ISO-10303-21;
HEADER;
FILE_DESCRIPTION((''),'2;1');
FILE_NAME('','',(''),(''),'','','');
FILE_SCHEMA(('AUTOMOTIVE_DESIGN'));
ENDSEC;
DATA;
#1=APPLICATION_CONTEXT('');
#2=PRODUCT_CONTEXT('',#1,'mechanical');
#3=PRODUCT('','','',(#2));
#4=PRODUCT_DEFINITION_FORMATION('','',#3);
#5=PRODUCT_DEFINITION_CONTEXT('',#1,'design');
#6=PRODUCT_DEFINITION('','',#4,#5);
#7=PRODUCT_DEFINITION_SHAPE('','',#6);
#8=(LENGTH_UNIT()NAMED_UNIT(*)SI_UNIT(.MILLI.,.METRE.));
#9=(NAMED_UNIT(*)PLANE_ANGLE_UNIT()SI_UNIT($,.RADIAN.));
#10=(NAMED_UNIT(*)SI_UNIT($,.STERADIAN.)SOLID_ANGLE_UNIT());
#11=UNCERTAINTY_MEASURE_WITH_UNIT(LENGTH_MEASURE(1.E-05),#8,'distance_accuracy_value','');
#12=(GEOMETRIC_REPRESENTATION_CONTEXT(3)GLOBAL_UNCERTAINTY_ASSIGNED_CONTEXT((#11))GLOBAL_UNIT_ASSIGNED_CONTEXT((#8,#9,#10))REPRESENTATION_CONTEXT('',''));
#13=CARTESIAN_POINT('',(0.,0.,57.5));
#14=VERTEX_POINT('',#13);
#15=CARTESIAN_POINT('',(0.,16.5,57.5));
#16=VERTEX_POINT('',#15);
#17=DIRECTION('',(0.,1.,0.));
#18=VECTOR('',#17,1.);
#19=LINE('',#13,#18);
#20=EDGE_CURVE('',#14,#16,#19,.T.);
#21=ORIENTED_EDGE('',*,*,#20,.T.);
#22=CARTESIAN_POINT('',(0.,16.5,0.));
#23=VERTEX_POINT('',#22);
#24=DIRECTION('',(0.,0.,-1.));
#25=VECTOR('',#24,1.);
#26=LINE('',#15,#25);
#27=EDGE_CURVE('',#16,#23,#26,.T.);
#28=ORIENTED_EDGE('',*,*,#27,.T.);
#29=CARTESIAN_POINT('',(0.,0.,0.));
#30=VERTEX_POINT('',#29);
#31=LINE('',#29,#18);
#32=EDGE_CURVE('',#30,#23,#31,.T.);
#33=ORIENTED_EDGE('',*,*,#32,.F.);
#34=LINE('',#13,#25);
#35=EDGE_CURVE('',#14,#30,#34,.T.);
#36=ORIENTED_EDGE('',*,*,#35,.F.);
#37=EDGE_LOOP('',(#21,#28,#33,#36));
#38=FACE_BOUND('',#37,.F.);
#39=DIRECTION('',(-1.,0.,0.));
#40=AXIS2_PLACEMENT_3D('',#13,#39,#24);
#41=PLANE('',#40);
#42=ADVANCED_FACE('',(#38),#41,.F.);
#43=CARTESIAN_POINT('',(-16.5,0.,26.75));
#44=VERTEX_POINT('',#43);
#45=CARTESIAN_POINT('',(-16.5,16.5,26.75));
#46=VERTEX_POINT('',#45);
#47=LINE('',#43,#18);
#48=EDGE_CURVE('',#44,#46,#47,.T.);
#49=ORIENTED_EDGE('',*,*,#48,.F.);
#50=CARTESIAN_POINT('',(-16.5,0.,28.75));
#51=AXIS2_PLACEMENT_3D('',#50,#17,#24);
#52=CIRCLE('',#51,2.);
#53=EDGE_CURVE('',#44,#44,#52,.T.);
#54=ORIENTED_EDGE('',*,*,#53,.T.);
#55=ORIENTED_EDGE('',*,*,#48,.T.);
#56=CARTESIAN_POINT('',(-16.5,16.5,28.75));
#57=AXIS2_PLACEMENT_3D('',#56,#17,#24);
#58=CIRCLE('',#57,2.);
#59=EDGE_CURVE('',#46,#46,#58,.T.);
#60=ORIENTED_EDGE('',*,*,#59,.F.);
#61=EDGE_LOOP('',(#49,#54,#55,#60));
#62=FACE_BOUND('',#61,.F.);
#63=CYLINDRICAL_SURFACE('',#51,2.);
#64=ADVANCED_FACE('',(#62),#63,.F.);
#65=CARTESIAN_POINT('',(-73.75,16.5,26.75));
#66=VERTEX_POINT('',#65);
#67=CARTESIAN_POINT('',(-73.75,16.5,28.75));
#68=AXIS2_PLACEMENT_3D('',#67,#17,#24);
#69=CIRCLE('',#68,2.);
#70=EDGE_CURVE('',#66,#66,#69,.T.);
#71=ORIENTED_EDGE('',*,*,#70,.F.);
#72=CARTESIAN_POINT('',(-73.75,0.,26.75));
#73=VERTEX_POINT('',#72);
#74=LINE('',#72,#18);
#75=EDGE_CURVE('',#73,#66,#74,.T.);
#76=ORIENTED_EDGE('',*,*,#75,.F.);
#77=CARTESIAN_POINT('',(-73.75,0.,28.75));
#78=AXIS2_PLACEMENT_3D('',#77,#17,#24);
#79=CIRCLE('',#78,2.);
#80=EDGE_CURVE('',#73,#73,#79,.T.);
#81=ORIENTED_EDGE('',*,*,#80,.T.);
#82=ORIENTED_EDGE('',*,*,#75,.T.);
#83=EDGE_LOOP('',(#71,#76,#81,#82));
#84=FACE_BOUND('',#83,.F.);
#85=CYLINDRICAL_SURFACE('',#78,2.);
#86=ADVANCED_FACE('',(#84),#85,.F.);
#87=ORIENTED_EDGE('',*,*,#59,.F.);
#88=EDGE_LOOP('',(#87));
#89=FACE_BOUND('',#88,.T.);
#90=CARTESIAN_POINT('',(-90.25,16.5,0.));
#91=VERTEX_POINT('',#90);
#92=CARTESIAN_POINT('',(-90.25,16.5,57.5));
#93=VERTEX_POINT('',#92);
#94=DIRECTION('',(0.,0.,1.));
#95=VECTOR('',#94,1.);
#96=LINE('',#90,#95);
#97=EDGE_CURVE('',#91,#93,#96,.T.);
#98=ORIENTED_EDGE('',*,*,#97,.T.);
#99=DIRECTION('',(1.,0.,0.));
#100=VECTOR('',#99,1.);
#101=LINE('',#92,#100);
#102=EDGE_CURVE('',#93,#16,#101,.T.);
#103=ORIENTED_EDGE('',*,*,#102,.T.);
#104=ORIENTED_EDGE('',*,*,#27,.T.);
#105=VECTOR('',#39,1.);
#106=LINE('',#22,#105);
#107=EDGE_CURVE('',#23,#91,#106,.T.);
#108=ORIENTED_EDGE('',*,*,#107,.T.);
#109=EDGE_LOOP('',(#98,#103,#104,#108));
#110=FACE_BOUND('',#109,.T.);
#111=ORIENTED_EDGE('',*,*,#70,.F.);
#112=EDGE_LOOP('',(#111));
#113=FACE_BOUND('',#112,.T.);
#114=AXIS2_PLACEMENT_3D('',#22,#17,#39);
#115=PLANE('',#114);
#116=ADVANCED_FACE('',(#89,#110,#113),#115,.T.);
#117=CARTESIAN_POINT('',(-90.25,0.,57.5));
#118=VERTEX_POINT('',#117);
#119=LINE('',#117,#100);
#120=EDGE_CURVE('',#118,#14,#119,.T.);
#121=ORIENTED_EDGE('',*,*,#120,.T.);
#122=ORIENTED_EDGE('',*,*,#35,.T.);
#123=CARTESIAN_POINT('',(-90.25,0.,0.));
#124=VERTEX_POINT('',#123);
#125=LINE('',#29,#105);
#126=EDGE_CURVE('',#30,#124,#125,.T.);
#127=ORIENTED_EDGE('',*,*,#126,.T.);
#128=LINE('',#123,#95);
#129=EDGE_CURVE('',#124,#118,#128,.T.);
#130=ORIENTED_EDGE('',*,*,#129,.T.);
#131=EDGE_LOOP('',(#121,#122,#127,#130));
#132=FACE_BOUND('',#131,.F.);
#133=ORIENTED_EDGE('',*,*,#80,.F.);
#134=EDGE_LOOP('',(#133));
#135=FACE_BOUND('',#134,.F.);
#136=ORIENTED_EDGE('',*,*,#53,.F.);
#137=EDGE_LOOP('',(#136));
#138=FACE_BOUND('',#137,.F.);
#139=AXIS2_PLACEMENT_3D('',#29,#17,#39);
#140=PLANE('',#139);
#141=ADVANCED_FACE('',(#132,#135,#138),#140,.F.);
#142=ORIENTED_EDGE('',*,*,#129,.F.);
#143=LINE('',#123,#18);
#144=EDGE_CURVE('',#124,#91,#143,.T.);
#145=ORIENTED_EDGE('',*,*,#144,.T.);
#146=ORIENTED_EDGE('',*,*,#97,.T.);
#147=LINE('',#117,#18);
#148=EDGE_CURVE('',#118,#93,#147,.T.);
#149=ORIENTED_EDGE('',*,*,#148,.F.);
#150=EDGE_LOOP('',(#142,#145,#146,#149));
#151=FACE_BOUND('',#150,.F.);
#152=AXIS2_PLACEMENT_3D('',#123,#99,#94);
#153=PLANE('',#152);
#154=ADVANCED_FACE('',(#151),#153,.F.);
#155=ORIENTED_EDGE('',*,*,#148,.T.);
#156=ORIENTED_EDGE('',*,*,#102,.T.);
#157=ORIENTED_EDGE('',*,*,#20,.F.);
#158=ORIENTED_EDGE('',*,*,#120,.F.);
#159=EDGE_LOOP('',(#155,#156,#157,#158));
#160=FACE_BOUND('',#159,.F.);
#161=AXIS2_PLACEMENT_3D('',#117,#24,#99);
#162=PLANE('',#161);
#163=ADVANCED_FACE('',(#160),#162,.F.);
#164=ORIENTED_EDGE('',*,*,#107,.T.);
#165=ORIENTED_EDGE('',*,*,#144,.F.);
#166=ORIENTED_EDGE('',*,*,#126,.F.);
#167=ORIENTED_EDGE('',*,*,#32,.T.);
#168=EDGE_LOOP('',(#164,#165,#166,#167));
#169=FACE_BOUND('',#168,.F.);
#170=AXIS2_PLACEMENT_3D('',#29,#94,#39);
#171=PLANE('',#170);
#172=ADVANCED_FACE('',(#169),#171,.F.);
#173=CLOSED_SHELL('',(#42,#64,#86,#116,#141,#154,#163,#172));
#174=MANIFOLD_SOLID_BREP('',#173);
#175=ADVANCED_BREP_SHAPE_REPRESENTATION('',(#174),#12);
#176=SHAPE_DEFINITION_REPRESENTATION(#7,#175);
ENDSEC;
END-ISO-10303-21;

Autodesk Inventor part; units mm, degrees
ref_plane "YZ Plane" through (0, 0, 0) normal (1, 0, 0) x (0, 1, 0)
ref_plane "XZ Plane" through (0, 0, 0) normal (0, 1, 0) x (-1, 0, 0)
ref_plane "XY Plane" through (0, 0, 0) normal (0, 0, 1) x (1, 0, 0)
sketch "Skizze1" plane through (0, 0, 0) normal (0, 1, 0) x (-1, 0, 0)
  line L0 (0, 0) -> (90.25, 0)
  line L1 (90.25, 0) -> (90.25, 57.5)
  line L2 (90.25, 57.5) -> (0, 57.5)
  line L3 (0, 57.5) -> (0, 0)
  dimension "d0" = 90.25
  dimension "d1" = 57.5
extrude "Extrusion1" add sketch "Skizze1" along normal blind 16.5
hole "Bohrung1" at (-16.5, 0, 28.75) direction (0, 1, 0) diameter 4 end through all
hole "Bohrung2" at (-73.75, 0, 28.75) direction (0, 1, 0) diameter 4 end through all
properties part number "Batteriehalter_6AA" material "PBT-Kunststoff"
